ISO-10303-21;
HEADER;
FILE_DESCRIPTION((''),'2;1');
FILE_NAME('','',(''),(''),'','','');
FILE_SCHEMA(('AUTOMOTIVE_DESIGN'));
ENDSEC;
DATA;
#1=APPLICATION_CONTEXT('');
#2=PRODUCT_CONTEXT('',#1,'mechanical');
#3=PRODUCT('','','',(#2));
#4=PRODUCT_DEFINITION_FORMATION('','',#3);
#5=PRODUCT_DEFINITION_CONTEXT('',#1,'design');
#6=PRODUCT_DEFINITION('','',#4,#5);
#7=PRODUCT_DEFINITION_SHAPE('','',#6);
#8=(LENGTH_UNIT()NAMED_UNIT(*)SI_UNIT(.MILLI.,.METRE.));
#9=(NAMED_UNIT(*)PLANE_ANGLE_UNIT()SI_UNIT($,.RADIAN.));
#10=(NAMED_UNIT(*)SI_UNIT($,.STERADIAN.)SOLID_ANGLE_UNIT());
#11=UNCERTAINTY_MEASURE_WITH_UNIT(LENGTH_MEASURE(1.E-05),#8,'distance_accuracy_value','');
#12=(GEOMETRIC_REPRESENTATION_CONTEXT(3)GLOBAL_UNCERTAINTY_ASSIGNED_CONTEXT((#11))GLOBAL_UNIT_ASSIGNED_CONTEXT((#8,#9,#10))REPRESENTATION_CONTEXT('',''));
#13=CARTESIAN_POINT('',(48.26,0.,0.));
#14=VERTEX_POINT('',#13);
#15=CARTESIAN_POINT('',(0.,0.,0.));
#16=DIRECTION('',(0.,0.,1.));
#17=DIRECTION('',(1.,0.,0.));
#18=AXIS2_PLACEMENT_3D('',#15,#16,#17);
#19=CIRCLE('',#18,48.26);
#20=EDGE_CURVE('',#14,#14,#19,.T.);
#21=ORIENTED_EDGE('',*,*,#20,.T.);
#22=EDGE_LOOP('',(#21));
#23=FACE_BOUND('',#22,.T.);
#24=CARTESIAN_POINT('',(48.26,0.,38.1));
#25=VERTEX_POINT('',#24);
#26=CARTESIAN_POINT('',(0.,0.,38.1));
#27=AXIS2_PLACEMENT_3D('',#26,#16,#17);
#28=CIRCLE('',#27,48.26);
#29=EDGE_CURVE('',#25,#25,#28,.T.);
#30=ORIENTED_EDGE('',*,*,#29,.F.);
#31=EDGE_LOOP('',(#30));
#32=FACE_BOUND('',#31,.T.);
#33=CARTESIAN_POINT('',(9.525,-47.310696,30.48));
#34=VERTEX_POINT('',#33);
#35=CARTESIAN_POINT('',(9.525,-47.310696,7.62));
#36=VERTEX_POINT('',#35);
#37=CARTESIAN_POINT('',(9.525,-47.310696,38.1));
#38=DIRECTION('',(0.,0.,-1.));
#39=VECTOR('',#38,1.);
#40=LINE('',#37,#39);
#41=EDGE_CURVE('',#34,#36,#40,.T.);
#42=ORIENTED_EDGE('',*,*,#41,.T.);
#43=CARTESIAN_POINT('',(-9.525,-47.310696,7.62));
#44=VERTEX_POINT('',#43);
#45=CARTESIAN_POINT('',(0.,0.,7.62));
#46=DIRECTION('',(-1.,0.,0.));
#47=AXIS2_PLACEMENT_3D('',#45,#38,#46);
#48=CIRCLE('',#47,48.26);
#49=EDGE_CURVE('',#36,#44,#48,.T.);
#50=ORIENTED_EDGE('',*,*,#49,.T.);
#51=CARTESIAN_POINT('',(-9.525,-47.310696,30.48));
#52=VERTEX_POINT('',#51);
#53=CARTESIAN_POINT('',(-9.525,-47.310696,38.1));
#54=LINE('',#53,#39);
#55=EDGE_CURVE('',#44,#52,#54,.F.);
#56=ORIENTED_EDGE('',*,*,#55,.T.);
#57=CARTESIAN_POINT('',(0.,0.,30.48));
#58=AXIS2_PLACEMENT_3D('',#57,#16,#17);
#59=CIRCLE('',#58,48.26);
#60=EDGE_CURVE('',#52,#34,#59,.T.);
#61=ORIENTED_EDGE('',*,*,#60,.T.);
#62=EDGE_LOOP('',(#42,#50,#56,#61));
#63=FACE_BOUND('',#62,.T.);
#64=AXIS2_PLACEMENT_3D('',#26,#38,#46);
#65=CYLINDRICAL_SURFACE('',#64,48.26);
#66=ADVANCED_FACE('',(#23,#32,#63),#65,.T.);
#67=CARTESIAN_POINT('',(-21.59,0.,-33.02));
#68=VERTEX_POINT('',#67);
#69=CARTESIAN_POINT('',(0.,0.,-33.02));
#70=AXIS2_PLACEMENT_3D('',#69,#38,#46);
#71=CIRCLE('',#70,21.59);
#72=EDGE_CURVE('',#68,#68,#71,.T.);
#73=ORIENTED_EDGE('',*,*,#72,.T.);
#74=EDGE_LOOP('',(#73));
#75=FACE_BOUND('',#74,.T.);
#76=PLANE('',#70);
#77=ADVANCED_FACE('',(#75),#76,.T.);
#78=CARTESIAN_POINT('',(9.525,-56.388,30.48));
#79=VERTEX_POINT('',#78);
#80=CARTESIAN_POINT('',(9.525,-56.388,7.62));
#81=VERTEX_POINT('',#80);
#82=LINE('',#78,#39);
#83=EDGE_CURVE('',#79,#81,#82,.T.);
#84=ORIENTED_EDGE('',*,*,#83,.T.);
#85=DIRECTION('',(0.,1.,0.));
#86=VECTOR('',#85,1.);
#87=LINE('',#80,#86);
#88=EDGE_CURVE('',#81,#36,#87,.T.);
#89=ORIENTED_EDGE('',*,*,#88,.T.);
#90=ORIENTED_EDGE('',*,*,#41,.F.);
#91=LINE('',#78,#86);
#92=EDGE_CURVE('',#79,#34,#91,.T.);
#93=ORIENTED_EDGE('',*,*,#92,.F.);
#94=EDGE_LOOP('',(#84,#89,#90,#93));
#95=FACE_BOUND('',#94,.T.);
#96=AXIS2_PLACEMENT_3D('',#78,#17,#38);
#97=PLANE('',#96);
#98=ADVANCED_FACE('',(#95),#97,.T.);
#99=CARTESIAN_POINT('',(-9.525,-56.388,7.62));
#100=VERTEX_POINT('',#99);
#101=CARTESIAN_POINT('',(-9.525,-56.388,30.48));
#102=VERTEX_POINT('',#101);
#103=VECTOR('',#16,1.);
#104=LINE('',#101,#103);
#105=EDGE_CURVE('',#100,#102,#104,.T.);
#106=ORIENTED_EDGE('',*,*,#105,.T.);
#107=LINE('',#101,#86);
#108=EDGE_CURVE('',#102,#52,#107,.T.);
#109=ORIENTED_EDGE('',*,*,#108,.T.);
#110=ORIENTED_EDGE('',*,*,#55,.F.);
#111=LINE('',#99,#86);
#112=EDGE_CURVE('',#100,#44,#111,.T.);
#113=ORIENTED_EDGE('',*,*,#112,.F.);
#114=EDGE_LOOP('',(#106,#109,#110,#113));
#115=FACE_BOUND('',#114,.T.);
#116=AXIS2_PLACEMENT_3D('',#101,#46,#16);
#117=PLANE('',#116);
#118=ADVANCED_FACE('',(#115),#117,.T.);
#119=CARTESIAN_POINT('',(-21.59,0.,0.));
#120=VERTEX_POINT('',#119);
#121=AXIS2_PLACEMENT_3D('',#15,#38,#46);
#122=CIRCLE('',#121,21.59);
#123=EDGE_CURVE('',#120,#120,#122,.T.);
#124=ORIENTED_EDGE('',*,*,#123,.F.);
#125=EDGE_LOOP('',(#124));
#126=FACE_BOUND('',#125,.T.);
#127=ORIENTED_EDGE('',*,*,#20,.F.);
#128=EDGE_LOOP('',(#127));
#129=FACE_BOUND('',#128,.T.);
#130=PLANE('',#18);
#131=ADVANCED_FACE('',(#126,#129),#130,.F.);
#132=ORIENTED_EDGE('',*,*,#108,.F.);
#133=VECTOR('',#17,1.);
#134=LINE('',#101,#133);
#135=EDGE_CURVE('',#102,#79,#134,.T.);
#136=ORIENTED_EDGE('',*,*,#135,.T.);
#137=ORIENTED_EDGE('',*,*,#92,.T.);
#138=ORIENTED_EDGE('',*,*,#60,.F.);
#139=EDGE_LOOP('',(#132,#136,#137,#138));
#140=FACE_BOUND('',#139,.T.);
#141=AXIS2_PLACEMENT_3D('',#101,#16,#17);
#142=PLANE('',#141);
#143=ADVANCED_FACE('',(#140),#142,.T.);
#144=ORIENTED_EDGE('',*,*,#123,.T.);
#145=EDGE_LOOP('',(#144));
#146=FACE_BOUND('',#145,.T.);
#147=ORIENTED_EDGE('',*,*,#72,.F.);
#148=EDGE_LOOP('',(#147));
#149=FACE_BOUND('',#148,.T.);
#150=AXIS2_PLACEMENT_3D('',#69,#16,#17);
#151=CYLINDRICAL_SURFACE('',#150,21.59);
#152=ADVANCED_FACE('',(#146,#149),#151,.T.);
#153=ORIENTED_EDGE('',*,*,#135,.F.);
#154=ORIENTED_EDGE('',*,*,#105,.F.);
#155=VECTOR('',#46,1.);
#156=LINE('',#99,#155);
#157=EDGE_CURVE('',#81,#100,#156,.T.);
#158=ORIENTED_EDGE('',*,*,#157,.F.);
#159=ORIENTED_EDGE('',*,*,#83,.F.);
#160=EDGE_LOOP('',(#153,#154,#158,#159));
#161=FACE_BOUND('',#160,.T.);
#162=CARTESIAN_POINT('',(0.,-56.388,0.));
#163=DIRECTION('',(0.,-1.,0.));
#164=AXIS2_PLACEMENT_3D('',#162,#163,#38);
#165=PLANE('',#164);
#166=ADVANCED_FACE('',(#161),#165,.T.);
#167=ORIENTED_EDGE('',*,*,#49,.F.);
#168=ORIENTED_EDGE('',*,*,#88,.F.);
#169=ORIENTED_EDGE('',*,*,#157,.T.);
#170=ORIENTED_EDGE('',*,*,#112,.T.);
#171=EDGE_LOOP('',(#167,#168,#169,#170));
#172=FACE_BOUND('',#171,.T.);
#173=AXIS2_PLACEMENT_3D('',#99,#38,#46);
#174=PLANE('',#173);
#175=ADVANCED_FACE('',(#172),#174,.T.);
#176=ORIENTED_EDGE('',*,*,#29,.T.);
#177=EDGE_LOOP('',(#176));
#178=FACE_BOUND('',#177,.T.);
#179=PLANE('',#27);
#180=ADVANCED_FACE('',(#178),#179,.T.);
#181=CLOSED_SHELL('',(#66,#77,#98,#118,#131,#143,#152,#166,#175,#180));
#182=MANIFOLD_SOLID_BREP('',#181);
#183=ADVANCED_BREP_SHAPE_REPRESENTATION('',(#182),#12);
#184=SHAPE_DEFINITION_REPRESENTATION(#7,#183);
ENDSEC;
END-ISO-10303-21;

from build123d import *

# Parameters (mm, degrees)
SKETCH1_R           = 48.26
BOSS_EXTRUDE1_DEPTH = 38.1
SKETCH2_R           = 21.59
BOSS_EXTRUDE2_DEPTH = 33.02
SKETCH3_W           = 19.05
SKETCH3_H           = 22.86
BOSS_EXTRUDE3_DEPTH = 56.388


with BuildPart() as part:
    # Sketch1 → Boss-Extrude1 (new body)
    with BuildSketch(Plane.XY):
        with Locations(Location((0, 0, 0), (0, 0, 180))):
            Circle(SKETCH1_R)
    extrude(amount=BOSS_EXTRUDE1_DEPTH)

    # Sketch2 → Boss-Extrude2 (add)
    with BuildSketch(Plane(origin=(0, 0, 0), x_dir=(-1, 0, 0), z_dir=(0, 0, -1))):
        Circle(SKETCH2_R)
    extrude(amount=BOSS_EXTRUDE2_DEPTH)

    # Sketch3 → Boss-Extrude3 (add)
    with BuildSketch(Plane(origin=(0, 0, 0), x_dir=(1, 0, 0), z_dir=(0, 1, 0))):
        with Locations((0, -19.05)):
            Rectangle(SKETCH3_W, SKETCH3_H)
    extrude(amount=-BOSS_EXTRUDE3_DEPTH)


solid = part.part
